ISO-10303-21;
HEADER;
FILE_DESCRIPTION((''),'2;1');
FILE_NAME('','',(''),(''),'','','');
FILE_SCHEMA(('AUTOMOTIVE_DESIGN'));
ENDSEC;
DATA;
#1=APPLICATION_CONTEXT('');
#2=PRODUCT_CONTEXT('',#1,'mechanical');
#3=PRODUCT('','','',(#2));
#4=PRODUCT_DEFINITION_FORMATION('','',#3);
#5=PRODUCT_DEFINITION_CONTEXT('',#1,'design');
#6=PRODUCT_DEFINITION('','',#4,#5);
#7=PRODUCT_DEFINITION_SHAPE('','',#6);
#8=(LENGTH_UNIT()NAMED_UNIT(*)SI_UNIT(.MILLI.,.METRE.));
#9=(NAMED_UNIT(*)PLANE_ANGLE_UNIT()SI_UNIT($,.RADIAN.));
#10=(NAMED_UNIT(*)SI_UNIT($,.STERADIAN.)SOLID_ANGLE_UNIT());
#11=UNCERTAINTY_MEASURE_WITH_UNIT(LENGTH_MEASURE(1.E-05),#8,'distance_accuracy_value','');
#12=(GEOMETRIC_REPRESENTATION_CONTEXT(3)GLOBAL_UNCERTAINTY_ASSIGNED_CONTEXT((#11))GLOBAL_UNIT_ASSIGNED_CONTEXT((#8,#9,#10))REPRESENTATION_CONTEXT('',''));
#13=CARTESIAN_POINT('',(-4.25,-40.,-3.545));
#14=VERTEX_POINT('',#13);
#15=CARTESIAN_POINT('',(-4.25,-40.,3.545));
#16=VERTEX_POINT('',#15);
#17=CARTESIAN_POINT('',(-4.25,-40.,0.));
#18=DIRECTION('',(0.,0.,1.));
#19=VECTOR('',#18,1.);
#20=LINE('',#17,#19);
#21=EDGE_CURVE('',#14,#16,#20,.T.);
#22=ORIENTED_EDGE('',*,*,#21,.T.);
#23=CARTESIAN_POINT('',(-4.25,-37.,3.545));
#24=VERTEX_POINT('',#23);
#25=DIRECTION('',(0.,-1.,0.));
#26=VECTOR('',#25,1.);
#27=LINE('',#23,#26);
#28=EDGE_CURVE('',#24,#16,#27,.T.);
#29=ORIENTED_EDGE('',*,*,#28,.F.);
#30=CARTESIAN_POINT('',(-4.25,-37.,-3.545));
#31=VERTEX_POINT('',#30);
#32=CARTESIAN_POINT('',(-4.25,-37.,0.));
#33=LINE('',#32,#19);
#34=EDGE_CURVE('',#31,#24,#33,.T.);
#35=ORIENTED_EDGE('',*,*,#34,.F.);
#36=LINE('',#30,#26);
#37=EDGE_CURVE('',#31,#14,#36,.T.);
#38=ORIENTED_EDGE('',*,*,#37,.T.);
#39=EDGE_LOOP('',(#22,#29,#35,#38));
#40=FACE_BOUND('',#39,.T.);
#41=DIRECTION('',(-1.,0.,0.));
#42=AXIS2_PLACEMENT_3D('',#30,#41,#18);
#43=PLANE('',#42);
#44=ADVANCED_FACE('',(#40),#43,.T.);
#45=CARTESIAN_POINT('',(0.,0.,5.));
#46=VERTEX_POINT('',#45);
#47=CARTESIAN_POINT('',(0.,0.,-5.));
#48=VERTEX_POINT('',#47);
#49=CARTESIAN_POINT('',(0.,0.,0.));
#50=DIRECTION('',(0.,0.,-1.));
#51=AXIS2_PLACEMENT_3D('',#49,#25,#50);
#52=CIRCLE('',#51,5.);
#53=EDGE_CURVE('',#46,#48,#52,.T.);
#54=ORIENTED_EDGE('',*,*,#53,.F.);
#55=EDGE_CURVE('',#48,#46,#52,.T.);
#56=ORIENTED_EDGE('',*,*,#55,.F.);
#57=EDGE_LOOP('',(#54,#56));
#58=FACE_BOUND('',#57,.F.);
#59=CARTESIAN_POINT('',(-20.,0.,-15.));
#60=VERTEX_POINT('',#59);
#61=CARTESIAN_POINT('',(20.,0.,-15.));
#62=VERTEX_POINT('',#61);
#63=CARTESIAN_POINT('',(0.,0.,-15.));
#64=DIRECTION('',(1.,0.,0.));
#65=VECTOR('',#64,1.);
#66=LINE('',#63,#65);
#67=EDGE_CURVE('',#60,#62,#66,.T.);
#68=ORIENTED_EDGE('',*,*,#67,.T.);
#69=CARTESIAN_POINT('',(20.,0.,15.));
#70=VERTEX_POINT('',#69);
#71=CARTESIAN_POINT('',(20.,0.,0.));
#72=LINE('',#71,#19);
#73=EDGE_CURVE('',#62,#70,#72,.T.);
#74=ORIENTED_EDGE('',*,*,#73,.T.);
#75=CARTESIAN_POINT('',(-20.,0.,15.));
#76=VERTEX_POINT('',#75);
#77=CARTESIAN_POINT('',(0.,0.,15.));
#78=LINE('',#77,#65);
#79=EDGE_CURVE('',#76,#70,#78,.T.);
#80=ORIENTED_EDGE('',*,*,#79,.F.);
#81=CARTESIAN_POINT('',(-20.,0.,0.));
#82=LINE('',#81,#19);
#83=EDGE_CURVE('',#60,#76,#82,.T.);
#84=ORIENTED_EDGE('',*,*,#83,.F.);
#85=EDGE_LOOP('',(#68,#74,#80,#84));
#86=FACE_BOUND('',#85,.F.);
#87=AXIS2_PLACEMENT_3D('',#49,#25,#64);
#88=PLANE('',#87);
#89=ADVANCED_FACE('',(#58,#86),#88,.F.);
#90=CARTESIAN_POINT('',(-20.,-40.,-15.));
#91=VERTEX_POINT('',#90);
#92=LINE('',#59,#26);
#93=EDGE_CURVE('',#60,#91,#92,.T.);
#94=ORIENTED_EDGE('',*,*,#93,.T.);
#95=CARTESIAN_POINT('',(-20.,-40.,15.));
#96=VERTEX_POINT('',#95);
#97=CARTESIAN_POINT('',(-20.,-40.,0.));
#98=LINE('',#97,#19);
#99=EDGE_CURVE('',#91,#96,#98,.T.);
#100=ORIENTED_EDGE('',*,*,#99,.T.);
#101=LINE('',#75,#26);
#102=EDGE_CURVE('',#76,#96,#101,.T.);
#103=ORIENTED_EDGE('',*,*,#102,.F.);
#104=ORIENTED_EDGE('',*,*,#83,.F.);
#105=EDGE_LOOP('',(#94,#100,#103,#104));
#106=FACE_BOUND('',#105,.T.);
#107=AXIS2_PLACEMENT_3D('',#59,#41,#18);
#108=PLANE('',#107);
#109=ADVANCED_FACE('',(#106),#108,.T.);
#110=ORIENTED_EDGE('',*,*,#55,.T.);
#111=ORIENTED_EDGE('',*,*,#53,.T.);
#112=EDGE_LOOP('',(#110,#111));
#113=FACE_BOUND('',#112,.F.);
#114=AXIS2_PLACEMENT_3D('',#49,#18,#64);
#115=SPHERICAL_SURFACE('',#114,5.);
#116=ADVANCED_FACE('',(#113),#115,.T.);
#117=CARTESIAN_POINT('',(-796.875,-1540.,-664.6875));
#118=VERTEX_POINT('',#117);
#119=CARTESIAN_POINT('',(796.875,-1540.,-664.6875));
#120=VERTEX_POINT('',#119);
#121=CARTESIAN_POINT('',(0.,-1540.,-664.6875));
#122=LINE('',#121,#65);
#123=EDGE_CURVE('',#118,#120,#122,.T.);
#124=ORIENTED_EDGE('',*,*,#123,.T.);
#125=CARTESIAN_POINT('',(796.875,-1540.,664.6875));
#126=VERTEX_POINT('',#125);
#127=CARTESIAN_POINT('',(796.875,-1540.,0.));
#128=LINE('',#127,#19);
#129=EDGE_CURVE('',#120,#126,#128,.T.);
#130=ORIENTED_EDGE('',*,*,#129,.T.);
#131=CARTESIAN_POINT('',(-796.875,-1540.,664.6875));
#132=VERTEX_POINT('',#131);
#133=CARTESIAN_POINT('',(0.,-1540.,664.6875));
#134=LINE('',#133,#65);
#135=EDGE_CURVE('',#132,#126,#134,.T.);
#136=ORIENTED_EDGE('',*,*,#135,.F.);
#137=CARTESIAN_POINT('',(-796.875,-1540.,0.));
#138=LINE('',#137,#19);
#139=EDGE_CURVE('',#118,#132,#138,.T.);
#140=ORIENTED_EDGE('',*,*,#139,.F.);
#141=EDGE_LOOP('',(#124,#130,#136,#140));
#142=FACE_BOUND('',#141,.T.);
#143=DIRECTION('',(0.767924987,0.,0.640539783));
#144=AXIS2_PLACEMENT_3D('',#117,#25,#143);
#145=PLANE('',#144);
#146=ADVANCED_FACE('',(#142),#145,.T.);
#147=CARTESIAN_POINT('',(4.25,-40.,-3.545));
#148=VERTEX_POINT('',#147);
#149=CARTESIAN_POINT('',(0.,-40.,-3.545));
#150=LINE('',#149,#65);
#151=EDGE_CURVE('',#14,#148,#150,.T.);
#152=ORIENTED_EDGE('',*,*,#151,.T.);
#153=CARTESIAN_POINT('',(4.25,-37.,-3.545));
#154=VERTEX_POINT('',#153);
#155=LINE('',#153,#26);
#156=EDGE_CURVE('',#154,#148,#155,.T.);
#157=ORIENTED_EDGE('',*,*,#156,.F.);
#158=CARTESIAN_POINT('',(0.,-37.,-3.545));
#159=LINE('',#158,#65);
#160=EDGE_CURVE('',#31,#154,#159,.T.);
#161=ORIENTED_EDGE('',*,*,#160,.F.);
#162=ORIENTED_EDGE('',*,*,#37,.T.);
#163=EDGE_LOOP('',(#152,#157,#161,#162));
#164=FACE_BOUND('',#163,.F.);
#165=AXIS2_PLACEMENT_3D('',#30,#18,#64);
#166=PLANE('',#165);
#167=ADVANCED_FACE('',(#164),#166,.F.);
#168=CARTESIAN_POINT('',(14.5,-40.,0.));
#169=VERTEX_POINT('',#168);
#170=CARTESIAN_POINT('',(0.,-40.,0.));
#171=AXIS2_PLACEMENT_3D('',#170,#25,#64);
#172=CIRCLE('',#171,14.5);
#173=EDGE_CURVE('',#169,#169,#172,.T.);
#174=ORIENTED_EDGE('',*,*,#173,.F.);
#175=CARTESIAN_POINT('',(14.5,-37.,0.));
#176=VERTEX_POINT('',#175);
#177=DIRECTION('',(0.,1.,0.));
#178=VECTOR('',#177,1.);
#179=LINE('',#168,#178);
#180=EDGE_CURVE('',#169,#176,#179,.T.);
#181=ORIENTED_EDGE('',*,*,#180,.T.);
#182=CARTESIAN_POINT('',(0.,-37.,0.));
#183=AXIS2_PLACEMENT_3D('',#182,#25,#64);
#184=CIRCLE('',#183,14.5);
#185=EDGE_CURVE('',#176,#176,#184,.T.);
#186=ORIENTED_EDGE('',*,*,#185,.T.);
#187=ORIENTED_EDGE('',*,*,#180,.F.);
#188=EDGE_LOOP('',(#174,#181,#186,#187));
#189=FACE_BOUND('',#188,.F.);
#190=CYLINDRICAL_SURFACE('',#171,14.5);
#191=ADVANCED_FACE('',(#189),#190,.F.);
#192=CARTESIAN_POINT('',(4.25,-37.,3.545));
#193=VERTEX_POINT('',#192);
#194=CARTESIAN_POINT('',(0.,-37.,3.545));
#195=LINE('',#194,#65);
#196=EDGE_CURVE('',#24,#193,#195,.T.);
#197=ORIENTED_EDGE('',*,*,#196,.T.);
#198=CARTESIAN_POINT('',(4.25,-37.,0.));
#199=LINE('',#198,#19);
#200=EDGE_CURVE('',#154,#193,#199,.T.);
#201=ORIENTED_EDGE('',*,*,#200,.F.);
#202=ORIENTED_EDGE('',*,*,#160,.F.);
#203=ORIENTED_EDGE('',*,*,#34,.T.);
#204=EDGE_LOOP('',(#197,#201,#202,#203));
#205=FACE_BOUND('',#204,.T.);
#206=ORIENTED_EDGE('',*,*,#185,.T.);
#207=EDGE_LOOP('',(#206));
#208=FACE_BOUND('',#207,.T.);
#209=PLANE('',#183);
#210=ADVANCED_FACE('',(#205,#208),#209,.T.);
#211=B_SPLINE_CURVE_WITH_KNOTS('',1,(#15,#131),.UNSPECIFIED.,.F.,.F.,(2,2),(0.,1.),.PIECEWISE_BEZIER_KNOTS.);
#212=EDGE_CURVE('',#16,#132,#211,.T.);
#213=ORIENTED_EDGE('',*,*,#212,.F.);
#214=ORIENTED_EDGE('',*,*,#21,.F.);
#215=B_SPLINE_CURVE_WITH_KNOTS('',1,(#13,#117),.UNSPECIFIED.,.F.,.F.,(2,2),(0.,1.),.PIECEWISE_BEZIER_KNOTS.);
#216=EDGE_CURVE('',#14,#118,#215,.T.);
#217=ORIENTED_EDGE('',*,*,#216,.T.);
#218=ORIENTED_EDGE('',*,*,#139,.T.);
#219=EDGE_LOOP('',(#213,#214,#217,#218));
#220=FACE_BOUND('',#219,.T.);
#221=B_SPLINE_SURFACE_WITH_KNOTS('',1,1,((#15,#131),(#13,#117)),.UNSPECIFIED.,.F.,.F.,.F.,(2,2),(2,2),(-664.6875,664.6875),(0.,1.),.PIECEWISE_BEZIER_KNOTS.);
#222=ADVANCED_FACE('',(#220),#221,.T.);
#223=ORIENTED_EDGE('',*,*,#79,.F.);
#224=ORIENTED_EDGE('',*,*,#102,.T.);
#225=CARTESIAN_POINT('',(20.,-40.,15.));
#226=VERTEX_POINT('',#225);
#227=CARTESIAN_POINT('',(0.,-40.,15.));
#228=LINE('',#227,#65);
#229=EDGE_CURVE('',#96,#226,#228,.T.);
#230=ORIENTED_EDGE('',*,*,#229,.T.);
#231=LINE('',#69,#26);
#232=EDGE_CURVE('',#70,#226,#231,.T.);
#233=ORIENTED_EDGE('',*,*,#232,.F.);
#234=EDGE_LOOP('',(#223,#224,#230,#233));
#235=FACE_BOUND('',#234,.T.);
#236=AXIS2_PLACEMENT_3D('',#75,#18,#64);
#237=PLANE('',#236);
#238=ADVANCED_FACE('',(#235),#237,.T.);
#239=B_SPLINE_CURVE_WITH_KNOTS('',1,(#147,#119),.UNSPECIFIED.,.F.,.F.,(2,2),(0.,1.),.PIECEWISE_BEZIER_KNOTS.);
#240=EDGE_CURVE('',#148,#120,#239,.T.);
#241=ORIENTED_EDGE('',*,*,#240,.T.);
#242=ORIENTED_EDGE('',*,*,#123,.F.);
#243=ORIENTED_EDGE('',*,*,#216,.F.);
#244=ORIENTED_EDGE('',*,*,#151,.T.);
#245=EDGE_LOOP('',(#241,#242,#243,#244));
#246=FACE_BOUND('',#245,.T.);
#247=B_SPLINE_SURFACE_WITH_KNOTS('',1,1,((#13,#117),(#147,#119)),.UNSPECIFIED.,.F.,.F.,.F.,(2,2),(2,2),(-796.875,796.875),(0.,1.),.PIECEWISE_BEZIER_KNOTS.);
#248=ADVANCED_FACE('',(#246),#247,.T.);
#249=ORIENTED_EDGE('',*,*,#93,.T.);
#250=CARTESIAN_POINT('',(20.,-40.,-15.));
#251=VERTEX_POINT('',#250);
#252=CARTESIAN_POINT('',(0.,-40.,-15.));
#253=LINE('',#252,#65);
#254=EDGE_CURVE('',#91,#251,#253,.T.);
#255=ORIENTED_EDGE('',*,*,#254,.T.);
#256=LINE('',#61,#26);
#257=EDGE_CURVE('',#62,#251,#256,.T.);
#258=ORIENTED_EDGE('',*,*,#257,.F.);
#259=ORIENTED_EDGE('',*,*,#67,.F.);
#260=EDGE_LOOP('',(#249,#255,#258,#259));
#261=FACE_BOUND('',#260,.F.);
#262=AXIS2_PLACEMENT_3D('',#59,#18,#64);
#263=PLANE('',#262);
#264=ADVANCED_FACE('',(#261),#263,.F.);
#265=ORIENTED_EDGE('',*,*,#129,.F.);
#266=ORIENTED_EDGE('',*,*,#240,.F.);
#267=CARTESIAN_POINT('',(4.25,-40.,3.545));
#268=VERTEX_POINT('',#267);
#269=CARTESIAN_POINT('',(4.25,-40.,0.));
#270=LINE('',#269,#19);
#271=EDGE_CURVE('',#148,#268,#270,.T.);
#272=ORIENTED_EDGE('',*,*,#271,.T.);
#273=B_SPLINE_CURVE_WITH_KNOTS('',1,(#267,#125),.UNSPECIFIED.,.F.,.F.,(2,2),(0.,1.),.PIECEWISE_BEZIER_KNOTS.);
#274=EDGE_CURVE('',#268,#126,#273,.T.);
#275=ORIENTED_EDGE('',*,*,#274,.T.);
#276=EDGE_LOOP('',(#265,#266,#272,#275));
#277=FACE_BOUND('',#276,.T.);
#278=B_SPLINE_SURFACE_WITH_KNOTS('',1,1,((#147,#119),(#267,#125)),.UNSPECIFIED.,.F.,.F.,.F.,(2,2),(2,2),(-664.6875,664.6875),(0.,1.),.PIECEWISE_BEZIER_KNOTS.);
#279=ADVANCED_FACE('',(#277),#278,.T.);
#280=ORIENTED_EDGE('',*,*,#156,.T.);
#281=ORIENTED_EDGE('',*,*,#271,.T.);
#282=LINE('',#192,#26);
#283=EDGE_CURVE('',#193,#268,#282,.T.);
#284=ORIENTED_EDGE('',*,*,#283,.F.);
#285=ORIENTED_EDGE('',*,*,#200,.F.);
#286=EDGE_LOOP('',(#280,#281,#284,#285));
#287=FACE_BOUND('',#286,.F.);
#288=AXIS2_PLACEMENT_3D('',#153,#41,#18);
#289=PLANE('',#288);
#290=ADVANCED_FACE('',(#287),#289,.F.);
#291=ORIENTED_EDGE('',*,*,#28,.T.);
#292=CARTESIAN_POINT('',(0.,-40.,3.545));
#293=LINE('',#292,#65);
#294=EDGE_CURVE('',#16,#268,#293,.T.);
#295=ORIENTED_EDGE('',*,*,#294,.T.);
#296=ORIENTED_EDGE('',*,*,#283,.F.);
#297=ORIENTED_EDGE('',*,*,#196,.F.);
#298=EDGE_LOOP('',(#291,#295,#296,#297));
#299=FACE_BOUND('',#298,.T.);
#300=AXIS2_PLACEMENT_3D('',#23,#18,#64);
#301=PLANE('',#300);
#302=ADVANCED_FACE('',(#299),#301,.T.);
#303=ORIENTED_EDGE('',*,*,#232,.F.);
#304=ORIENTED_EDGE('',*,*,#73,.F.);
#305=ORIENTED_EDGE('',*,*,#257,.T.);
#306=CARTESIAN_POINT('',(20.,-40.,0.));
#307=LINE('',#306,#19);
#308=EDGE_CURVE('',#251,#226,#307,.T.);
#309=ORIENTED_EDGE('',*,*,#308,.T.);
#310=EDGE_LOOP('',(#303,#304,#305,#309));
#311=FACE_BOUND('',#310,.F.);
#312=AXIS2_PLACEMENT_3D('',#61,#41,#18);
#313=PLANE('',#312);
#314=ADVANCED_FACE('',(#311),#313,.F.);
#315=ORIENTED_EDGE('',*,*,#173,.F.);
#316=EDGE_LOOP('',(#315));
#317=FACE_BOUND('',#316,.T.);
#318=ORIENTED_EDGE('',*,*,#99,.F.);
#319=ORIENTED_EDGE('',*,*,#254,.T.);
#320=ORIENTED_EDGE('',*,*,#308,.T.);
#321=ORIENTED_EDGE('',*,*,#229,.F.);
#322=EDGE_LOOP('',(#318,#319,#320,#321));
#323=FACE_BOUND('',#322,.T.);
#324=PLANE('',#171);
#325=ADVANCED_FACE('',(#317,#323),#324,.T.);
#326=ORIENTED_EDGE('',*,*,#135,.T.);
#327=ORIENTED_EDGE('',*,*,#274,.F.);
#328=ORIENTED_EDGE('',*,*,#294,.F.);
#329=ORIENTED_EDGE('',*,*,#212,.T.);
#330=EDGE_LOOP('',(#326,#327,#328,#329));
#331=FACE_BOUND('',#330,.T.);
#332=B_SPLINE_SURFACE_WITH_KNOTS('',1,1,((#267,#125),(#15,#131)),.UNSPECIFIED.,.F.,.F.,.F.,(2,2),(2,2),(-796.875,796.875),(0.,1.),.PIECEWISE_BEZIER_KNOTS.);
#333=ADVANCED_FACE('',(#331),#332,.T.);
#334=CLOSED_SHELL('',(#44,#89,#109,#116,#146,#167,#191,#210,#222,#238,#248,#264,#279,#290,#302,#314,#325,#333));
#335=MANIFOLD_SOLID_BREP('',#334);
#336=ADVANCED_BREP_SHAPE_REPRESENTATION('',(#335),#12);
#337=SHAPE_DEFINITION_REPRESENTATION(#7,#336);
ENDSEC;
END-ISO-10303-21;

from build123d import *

# Parameters (mm, degrees)
F0_W      = 40
F0_H      = 30
F1_DEPTH  = 40
F3_R      = 14.5
F4_DEPTH  = 3
F5_W      = 8.5
F5_H      = 7.09
F6_DEPTH  = 3
F6_FACE_W = 8.5
F6_FACE_H = 7.09
F8_W      = 1593.75
F8_H      = 1329.375


with BuildPart() as f1:
    # F0 (on Front) → F1 (new body)
    with BuildSketch(Plane.XZ):
        Rectangle(F0_W, F0_H)
    extrude(amount=F1_DEPTH)

    # F3 (on face) → F4 (cut)
    with BuildSketch(Plane.XZ.offset(40)):
        Circle(F3_R)
    extrude(amount=-F4_DEPTH, mode=Mode.SUBTRACT)

    # F5 (on face) → F6 (join)
    with BuildSketch(Plane.XZ.offset(37)):
        Rectangle(F5_W, F5_H)
    extrude(amount=F6_DEPTH)

    # F6_face (on face) → F9 section 0
    with BuildSketch(Plane.XZ.offset(40)):
        Rectangle(F6_FACE_W, F6_FACE_H)
    # F8 (on offset) → F9 section 1
    with BuildSketch(Plane.XZ.offset(1540)):
        Rectangle(F8_W, F8_H)
    loft()

    # F10 (on face) → F11 (revolve)
    with BuildSketch(Plane.XZ):
        with BuildLine():
            ThreePointArc((0, -5), (5, 0), (0, 5))
            Line((0, 5), (0, -5))
        make_face()
    revolve(axis=Axis((0, 0, 0), (0, 0, -1)))


solid = f1.part
